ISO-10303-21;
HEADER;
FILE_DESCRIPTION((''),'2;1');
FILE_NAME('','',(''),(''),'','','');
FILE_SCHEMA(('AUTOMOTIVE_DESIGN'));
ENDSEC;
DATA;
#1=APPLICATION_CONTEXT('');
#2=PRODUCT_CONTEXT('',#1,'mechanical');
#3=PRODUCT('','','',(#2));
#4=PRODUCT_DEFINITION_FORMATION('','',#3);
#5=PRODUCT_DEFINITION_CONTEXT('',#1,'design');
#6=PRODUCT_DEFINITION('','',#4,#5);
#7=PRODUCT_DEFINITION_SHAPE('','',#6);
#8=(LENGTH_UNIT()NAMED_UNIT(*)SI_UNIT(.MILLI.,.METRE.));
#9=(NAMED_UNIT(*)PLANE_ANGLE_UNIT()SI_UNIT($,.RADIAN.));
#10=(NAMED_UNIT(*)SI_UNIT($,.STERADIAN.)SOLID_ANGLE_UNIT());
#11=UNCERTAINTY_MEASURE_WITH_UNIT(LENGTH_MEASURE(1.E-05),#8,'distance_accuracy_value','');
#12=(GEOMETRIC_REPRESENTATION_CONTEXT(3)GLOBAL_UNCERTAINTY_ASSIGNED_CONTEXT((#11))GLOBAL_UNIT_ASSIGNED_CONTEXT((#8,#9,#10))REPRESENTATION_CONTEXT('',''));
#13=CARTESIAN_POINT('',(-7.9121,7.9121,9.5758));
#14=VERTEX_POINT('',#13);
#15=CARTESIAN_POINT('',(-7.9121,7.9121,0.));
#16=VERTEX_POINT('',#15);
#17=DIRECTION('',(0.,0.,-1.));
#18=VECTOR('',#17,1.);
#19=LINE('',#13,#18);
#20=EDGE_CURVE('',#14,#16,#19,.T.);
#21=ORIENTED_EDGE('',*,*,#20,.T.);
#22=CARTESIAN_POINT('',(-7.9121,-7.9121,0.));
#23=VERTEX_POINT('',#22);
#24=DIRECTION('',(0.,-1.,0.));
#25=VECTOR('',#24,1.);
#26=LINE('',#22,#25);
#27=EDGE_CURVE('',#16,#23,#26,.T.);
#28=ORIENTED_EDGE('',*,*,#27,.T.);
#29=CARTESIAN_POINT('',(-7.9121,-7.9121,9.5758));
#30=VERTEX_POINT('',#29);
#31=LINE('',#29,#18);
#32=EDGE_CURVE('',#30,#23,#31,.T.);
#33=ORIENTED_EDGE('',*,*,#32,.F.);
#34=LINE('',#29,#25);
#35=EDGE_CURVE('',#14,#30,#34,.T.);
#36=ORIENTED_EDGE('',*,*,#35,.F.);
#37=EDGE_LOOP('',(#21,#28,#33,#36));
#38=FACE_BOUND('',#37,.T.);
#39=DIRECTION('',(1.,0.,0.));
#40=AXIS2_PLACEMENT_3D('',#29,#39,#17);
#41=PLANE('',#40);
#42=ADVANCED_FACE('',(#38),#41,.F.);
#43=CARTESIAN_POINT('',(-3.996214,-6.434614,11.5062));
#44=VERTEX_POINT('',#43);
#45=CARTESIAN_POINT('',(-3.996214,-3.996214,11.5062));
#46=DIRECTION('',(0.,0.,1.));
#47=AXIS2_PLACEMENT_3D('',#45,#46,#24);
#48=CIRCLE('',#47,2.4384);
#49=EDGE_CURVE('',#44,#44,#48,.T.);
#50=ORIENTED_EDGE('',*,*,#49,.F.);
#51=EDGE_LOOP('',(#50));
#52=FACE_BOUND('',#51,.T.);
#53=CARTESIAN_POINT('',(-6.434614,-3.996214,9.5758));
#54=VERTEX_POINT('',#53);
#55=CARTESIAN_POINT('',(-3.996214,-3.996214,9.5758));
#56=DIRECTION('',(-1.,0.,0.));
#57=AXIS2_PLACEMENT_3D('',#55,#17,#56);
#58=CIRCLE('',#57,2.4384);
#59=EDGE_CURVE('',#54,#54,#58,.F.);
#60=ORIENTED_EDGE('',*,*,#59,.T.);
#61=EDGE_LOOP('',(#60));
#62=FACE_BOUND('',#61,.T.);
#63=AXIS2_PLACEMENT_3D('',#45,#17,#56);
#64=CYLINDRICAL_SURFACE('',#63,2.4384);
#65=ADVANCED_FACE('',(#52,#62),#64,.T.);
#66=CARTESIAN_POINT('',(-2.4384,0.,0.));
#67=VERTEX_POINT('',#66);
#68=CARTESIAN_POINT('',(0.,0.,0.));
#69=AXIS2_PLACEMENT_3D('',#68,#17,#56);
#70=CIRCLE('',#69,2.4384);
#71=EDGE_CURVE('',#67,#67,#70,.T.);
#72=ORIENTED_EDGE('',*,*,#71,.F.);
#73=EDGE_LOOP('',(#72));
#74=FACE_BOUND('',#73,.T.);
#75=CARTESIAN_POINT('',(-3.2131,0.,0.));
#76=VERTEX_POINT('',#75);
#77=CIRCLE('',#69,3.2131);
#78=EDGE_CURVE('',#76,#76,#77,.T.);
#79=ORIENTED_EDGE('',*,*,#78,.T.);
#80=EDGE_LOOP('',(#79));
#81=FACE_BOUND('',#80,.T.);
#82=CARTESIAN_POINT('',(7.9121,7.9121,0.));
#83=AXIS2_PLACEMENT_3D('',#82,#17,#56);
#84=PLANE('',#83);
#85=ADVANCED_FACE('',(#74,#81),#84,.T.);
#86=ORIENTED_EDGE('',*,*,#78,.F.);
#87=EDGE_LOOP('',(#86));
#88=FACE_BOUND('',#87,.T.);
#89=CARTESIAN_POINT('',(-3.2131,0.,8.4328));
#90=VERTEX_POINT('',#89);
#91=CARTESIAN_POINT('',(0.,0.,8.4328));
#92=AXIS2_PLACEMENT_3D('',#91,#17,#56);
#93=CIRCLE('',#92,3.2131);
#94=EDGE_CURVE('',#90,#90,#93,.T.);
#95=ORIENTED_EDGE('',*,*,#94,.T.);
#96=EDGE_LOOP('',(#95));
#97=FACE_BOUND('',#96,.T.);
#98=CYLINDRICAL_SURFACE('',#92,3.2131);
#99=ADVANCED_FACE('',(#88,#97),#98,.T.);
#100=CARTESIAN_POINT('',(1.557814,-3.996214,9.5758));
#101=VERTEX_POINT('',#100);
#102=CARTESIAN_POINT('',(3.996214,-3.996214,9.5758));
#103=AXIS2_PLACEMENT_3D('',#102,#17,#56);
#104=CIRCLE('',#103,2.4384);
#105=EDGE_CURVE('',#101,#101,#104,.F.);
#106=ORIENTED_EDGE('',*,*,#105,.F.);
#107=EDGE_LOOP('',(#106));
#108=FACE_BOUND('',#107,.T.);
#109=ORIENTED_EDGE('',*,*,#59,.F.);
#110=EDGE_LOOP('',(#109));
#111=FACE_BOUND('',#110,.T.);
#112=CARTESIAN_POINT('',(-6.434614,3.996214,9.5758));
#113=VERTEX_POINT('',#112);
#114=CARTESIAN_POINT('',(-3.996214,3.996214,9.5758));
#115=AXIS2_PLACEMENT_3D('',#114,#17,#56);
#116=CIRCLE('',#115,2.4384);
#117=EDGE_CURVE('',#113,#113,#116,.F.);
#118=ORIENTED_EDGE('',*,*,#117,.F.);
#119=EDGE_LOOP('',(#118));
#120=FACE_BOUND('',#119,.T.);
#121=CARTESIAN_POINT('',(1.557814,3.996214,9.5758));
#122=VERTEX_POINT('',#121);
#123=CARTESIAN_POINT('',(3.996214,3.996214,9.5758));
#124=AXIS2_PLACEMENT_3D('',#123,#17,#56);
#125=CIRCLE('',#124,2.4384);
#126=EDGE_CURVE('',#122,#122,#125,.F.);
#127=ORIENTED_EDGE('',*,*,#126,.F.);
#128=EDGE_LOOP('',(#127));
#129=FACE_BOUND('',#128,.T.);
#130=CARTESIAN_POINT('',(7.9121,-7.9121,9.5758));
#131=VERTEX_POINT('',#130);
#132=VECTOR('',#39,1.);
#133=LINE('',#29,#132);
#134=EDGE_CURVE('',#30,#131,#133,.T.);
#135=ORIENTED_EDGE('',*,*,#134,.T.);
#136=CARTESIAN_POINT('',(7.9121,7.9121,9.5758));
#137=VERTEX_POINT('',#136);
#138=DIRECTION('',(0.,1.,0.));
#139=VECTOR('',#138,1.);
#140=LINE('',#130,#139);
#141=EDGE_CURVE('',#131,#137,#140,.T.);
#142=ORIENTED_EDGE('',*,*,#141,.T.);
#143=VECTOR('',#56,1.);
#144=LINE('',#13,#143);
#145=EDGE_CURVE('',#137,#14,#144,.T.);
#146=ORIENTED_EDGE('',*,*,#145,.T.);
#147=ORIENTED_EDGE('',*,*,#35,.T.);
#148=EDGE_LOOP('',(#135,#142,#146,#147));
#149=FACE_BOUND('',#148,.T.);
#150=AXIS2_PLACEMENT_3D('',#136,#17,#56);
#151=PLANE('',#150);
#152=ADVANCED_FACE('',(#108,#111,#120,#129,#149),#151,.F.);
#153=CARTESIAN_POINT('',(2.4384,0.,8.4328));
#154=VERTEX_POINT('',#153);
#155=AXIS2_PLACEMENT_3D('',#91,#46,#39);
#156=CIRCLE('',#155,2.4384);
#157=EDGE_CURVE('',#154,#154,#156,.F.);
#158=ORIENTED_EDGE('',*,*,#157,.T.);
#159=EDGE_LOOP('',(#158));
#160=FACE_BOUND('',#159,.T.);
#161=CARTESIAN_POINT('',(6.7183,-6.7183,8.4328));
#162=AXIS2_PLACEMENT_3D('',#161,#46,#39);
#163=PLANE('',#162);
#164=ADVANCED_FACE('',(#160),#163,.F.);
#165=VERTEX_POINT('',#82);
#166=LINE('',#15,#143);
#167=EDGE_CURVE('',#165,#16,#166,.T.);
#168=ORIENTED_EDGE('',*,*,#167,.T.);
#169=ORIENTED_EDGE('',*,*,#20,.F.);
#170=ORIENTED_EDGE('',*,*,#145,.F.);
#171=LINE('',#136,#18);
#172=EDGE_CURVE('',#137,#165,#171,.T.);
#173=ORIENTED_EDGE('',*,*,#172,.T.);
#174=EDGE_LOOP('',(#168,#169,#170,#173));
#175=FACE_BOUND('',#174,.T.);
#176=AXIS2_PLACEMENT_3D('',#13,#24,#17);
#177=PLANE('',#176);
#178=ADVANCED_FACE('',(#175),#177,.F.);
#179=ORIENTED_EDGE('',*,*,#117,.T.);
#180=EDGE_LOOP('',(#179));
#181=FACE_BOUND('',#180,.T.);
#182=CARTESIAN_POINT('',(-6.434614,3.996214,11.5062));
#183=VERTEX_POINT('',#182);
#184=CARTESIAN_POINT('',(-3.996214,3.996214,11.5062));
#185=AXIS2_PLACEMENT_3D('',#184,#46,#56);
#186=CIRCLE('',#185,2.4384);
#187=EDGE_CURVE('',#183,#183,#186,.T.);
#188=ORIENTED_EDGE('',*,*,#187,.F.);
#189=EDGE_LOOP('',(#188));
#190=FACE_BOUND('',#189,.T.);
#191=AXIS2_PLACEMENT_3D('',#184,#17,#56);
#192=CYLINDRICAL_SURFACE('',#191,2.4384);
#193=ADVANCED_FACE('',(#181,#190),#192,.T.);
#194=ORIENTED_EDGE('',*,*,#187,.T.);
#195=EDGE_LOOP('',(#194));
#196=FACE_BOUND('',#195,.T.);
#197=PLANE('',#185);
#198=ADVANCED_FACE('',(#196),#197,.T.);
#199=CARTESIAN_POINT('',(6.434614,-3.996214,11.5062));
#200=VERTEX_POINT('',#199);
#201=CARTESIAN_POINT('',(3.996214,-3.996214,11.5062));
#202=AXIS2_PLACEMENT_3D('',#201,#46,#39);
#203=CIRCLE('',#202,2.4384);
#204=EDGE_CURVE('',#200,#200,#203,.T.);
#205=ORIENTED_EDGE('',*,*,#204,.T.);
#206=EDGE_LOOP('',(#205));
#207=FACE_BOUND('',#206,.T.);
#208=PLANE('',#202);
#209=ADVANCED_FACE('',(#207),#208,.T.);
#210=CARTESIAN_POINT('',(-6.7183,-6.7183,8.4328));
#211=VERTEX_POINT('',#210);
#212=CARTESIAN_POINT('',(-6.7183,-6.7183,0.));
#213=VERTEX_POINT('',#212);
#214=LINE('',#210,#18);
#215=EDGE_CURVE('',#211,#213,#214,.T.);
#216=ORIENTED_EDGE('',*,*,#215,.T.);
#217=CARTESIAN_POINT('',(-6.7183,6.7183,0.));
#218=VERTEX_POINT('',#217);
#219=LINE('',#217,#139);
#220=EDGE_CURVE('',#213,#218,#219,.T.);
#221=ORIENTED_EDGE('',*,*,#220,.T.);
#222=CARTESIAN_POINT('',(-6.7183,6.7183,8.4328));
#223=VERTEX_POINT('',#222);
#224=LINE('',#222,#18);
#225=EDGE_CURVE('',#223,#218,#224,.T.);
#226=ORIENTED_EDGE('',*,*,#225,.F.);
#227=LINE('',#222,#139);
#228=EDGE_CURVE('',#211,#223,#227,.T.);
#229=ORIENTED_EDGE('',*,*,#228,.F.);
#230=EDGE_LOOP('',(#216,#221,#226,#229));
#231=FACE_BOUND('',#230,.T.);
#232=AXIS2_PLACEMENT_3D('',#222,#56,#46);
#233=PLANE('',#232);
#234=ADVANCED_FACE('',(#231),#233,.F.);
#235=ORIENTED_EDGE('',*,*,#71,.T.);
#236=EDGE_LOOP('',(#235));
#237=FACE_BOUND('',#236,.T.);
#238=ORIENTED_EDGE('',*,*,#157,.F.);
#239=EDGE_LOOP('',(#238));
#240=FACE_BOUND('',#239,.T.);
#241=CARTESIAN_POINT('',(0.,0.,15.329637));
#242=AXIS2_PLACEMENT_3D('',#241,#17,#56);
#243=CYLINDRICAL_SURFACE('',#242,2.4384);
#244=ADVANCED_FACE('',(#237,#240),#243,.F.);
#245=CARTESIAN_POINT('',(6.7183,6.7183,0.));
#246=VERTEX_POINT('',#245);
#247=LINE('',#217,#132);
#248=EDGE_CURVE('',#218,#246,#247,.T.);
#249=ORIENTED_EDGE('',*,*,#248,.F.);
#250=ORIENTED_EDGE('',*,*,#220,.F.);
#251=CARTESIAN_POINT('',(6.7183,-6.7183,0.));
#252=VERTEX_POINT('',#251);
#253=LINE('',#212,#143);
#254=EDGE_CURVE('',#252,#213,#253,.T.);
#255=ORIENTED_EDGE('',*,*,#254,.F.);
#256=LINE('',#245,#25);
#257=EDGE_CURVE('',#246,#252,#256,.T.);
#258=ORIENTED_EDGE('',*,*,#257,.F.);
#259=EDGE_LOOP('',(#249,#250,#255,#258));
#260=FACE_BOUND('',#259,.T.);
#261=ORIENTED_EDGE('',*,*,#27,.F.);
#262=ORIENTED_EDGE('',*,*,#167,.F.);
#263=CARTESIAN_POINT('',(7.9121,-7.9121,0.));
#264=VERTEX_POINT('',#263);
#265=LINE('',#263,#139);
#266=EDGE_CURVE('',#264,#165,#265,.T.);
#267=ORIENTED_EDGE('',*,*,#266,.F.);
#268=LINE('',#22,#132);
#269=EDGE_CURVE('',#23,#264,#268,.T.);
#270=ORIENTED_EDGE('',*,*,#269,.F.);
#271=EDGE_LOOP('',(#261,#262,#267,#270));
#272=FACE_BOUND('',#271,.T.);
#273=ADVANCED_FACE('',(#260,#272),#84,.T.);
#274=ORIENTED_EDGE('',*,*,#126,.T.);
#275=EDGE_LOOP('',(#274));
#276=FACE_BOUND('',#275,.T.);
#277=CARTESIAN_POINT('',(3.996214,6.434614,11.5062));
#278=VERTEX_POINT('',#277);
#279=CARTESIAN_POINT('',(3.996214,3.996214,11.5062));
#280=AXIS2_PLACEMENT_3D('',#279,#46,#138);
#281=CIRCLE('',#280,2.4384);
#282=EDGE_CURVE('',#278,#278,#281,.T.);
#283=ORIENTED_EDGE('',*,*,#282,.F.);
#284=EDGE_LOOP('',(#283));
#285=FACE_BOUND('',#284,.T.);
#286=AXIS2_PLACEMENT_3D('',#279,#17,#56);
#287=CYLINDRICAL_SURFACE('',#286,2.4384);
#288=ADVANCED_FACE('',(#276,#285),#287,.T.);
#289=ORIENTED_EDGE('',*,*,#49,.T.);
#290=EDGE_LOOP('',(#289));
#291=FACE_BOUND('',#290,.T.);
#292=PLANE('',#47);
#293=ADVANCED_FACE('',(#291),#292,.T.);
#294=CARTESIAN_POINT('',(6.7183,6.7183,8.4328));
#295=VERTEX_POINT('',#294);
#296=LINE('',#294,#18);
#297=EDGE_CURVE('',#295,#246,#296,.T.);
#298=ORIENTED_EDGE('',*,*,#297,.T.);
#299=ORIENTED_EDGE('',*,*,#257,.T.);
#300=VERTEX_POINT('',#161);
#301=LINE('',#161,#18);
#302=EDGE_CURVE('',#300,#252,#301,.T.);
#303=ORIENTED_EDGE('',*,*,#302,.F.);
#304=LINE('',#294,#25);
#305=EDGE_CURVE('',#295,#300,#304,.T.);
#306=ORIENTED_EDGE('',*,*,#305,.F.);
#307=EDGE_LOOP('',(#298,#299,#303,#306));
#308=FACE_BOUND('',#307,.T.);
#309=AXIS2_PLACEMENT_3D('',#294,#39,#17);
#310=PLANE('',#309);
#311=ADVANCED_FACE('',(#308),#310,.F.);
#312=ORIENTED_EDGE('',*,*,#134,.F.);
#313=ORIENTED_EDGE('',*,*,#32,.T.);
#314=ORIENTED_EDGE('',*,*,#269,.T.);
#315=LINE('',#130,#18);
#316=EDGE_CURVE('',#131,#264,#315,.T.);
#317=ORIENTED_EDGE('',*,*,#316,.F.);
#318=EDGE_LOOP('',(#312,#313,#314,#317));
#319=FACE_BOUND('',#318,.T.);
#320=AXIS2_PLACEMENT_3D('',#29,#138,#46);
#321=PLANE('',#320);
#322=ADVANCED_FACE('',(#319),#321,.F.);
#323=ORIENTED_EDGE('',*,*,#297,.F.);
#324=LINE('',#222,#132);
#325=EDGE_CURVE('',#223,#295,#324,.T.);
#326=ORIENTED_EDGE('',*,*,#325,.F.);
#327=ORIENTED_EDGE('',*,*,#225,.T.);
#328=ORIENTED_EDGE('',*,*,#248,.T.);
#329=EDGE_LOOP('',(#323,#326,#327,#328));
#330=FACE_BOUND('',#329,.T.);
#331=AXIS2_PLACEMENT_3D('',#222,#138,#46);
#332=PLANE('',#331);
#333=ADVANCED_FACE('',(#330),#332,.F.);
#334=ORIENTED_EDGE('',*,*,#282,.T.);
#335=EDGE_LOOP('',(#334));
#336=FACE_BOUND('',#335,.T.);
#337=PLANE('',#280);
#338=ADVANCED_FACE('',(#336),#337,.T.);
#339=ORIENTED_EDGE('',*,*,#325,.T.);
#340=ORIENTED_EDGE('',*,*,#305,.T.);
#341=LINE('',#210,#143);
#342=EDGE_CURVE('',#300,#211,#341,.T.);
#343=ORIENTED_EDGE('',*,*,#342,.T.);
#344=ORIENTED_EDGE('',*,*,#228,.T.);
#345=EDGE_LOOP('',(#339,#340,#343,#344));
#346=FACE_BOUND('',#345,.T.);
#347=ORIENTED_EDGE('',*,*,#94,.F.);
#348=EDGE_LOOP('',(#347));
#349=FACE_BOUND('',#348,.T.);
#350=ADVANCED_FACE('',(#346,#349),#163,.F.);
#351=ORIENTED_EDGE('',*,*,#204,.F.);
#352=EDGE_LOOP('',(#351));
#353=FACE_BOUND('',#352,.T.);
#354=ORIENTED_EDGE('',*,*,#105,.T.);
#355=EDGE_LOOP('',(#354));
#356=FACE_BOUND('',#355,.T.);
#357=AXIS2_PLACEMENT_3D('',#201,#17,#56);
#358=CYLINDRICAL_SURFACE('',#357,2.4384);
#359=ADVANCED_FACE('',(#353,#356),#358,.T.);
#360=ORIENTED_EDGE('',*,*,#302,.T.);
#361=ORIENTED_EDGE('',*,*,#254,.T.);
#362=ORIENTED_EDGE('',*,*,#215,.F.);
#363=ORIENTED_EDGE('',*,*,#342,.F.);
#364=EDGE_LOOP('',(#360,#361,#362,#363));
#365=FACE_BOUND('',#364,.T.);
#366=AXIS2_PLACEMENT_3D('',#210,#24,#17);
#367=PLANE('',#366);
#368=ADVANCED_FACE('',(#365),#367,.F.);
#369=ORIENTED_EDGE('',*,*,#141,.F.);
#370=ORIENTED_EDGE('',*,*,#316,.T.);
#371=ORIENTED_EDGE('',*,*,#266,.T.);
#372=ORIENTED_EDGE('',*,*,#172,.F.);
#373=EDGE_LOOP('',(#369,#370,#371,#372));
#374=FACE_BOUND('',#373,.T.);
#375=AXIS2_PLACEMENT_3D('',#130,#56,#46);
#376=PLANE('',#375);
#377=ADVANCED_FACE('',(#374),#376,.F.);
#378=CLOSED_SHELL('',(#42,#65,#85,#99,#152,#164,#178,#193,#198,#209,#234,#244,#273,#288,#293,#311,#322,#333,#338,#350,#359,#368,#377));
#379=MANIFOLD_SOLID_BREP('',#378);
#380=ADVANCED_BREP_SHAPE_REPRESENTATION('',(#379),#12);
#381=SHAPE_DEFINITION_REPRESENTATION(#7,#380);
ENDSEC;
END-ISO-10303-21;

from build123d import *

# Parameters (mm, degrees)
SKETCH1_W           = 15.8242
SKETCH1_H           = 15.8242
BOSS_EXTRUDE1_DEPTH = 9.5758
SKETCH2_W           = 13.4366
SKETCH2_H           = 13.4366
SKETCH2_R           = 3.2131
CUT_EXTRUDE1_DEPTH  = 8.4328
SKETCH3_R           = 2.4384
CUT_EXTRUDE2_DEPTH  = 8.4328
SKETCH4_R           = 2.4384
BOSS_EXTRUDE2_DEPTH = 1.9304
CIRPATTERN1_COUNT   = 4


with BuildPart() as part:
    # Sketch1 → Boss-Extrude1 (new body)
    with BuildSketch(Plane.XY):
        Rectangle(SKETCH1_W, SKETCH1_H)
    extrude(amount=BOSS_EXTRUDE1_DEPTH)

    # Sketch2 → Cut-Extrude1 (cut)
    with BuildSketch(Plane(origin=(0, 0, 0), x_dir=(-1, 0, 0), z_dir=(0, 0, -1))):
        Rectangle(SKETCH2_W, SKETCH2_H)
        Circle(SKETCH2_R, mode=Mode.SUBTRACT)
    extrude(amount=-CUT_EXTRUDE1_DEPTH, mode=Mode.SUBTRACT)

    # Sketch3 → Cut-Extrude2 (cut)
    with BuildSketch(Plane(origin=(0, 0, 0), x_dir=(-1, 0, 0), z_dir=(0, 0, -1))):
        Circle(SKETCH3_R)
    extrude(amount=-CUT_EXTRUDE2_DEPTH, mode=Mode.SUBTRACT)

    # Sketch4 → Boss-Extrude2 (add)
    with BuildSketch(Plane.XY.offset(9.5758)):
        with Locations((3.996213974, -3.996213974)):
            Circle(SKETCH4_R)
    boss_extrude2 = extrude(amount=BOSS_EXTRUDE2_DEPTH)

    # CirPattern1: Boss-Extrude2 ×4 about axis
    cirpattern1_axis = Axis((0, 0, 0), (0, 0, 1))
    for i in range(1, CIRPATTERN1_COUNT):
        add(boss_extrude2.rotate(cirpattern1_axis, i * 360 / CIRPATTERN1_COUNT))


solid = part.part
